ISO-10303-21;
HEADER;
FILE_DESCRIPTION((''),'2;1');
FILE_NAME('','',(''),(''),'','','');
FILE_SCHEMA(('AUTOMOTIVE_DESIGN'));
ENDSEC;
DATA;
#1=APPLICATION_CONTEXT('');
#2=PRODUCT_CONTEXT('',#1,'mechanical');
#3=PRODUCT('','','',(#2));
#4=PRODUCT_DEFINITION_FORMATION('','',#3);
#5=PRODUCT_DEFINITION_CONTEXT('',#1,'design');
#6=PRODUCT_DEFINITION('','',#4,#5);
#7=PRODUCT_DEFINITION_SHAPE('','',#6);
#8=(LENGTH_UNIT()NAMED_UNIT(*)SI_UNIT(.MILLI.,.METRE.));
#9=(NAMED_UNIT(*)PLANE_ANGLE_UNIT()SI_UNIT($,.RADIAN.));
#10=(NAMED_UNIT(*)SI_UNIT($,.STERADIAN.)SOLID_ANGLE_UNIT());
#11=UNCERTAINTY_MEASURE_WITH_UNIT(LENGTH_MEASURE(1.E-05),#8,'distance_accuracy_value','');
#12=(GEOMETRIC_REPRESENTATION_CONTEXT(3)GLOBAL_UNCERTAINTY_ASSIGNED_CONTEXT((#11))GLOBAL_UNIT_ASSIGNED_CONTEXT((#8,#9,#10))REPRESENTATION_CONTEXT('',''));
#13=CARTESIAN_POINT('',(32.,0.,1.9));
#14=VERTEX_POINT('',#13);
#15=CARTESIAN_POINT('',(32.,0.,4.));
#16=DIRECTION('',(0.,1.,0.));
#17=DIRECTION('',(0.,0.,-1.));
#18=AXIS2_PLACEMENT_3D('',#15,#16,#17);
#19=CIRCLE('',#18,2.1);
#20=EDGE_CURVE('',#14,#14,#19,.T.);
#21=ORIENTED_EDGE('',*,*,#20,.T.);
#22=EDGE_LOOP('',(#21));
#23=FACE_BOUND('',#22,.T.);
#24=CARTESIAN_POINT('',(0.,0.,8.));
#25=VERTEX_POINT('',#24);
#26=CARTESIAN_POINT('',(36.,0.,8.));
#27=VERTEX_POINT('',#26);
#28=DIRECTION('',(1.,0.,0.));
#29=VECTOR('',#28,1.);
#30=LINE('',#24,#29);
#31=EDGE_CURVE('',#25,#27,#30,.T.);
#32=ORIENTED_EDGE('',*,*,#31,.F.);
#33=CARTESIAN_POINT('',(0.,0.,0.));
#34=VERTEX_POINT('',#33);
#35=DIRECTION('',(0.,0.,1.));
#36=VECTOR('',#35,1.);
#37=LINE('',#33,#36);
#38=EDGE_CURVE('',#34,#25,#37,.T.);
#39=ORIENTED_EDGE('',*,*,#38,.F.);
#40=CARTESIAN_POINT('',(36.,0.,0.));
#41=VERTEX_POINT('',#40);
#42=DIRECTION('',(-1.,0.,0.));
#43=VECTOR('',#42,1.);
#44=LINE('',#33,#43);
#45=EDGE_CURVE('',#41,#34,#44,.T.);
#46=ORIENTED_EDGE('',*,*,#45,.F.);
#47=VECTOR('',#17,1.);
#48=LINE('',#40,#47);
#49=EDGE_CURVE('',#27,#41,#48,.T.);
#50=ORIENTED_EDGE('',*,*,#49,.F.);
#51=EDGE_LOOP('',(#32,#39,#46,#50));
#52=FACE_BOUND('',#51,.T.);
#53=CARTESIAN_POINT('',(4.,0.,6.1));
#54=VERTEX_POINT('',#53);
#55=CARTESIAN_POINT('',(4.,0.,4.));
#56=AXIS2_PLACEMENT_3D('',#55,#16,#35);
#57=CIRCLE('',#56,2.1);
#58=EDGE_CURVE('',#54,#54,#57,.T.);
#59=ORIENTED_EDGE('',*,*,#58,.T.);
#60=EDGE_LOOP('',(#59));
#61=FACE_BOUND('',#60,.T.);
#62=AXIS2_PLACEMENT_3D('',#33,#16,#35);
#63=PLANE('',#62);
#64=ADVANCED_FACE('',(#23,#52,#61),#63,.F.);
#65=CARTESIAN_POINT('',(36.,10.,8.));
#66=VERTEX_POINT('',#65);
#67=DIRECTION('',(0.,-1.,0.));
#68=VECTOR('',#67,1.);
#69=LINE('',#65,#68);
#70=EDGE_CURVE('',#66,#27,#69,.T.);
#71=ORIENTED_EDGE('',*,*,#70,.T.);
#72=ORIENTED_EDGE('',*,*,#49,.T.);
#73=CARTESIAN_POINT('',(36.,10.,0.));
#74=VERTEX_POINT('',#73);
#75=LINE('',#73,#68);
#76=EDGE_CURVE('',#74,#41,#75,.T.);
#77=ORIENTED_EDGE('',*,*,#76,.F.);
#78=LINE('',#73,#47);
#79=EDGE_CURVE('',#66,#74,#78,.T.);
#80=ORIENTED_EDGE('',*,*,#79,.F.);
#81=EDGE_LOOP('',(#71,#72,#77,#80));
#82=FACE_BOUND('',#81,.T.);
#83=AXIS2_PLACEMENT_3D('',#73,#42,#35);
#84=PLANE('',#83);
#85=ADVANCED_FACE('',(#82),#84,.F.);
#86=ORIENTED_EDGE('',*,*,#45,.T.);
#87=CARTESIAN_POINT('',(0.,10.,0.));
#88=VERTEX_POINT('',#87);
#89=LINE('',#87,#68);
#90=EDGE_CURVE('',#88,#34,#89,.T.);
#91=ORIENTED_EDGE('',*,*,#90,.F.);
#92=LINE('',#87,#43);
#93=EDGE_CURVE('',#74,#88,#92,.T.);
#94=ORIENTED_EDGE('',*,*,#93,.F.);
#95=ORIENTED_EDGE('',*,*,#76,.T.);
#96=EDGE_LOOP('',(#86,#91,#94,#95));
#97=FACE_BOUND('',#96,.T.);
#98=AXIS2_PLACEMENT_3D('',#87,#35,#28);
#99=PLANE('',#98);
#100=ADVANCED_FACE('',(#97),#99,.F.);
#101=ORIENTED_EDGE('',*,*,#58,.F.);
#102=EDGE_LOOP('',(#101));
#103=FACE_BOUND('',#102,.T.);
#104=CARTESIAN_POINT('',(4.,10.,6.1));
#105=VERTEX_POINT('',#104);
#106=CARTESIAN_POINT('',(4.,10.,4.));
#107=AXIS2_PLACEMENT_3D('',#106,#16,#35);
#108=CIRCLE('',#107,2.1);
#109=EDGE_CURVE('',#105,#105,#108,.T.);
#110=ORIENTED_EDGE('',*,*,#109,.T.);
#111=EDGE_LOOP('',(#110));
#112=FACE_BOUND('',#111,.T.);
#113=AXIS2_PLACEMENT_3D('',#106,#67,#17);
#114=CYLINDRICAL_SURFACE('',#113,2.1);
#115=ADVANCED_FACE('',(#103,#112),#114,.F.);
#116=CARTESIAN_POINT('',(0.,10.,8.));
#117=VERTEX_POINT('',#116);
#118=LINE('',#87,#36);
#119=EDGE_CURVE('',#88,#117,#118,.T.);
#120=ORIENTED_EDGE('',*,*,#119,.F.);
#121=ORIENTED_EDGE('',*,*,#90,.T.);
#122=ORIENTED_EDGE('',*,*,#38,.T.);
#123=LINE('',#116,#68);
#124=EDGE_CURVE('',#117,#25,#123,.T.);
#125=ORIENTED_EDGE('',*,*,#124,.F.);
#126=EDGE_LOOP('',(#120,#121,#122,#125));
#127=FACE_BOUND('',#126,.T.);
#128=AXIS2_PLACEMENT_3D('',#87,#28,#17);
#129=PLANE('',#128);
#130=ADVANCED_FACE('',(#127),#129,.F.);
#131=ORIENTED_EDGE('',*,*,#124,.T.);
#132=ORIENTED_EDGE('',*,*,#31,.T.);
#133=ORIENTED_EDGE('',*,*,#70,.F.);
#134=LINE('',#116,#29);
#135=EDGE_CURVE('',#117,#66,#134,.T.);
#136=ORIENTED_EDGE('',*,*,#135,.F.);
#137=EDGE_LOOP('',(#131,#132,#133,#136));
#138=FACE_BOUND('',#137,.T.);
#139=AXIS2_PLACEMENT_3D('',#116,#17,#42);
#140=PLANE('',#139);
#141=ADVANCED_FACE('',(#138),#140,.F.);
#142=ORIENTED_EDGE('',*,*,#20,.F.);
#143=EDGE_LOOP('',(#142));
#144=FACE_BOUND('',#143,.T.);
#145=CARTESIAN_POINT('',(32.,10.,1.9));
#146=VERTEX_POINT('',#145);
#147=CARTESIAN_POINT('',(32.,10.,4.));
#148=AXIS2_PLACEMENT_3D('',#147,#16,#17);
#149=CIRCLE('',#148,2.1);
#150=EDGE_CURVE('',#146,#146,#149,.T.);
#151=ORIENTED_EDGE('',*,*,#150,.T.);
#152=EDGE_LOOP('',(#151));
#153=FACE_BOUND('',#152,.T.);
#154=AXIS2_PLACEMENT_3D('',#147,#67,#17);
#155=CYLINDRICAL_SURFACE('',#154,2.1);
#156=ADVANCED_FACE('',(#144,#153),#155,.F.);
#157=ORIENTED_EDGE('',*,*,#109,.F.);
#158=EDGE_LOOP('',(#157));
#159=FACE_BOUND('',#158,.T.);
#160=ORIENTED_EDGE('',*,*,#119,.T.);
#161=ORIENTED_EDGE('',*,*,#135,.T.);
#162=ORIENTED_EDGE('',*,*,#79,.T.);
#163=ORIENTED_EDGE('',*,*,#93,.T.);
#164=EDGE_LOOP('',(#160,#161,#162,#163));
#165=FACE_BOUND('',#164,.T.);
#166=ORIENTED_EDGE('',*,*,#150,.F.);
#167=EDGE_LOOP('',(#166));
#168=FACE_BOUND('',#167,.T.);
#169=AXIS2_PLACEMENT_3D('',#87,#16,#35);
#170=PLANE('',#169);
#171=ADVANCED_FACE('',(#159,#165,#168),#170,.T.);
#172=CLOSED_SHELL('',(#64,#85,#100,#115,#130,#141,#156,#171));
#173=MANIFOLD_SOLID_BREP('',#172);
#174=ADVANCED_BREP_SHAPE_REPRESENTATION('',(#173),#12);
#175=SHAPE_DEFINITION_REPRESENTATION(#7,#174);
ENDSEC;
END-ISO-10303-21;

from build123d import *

# Parameters (mm, degrees)
SKETCH1_W           = 36
SKETCH1_H           = 8
SKETCH1_R           = 2.1
BOSS_EXTRUDE1_DEPTH = 10


with BuildPart() as part:
    # Sketch1 → Boss-Extrude1 (new body)
    with BuildSketch(Plane(origin=(0, 0, 0), x_dir=(1, 0, 0), z_dir=(0, 1, 0))):
        with Locations((18, -4)):
            Rectangle(SKETCH1_W, SKETCH1_H)
        with Locations(Location((4, -4, 0), (0, 0, 270))):
            Circle(SKETCH1_R, mode=Mode.SUBTRACT)
        with Locations(Location((32, -4, 0), (0, 0, 90))):
            Circle(SKETCH1_R, mode=Mode.SUBTRACT)
    extrude(amount=BOSS_EXTRUDE1_DEPTH)


solid = part.part
